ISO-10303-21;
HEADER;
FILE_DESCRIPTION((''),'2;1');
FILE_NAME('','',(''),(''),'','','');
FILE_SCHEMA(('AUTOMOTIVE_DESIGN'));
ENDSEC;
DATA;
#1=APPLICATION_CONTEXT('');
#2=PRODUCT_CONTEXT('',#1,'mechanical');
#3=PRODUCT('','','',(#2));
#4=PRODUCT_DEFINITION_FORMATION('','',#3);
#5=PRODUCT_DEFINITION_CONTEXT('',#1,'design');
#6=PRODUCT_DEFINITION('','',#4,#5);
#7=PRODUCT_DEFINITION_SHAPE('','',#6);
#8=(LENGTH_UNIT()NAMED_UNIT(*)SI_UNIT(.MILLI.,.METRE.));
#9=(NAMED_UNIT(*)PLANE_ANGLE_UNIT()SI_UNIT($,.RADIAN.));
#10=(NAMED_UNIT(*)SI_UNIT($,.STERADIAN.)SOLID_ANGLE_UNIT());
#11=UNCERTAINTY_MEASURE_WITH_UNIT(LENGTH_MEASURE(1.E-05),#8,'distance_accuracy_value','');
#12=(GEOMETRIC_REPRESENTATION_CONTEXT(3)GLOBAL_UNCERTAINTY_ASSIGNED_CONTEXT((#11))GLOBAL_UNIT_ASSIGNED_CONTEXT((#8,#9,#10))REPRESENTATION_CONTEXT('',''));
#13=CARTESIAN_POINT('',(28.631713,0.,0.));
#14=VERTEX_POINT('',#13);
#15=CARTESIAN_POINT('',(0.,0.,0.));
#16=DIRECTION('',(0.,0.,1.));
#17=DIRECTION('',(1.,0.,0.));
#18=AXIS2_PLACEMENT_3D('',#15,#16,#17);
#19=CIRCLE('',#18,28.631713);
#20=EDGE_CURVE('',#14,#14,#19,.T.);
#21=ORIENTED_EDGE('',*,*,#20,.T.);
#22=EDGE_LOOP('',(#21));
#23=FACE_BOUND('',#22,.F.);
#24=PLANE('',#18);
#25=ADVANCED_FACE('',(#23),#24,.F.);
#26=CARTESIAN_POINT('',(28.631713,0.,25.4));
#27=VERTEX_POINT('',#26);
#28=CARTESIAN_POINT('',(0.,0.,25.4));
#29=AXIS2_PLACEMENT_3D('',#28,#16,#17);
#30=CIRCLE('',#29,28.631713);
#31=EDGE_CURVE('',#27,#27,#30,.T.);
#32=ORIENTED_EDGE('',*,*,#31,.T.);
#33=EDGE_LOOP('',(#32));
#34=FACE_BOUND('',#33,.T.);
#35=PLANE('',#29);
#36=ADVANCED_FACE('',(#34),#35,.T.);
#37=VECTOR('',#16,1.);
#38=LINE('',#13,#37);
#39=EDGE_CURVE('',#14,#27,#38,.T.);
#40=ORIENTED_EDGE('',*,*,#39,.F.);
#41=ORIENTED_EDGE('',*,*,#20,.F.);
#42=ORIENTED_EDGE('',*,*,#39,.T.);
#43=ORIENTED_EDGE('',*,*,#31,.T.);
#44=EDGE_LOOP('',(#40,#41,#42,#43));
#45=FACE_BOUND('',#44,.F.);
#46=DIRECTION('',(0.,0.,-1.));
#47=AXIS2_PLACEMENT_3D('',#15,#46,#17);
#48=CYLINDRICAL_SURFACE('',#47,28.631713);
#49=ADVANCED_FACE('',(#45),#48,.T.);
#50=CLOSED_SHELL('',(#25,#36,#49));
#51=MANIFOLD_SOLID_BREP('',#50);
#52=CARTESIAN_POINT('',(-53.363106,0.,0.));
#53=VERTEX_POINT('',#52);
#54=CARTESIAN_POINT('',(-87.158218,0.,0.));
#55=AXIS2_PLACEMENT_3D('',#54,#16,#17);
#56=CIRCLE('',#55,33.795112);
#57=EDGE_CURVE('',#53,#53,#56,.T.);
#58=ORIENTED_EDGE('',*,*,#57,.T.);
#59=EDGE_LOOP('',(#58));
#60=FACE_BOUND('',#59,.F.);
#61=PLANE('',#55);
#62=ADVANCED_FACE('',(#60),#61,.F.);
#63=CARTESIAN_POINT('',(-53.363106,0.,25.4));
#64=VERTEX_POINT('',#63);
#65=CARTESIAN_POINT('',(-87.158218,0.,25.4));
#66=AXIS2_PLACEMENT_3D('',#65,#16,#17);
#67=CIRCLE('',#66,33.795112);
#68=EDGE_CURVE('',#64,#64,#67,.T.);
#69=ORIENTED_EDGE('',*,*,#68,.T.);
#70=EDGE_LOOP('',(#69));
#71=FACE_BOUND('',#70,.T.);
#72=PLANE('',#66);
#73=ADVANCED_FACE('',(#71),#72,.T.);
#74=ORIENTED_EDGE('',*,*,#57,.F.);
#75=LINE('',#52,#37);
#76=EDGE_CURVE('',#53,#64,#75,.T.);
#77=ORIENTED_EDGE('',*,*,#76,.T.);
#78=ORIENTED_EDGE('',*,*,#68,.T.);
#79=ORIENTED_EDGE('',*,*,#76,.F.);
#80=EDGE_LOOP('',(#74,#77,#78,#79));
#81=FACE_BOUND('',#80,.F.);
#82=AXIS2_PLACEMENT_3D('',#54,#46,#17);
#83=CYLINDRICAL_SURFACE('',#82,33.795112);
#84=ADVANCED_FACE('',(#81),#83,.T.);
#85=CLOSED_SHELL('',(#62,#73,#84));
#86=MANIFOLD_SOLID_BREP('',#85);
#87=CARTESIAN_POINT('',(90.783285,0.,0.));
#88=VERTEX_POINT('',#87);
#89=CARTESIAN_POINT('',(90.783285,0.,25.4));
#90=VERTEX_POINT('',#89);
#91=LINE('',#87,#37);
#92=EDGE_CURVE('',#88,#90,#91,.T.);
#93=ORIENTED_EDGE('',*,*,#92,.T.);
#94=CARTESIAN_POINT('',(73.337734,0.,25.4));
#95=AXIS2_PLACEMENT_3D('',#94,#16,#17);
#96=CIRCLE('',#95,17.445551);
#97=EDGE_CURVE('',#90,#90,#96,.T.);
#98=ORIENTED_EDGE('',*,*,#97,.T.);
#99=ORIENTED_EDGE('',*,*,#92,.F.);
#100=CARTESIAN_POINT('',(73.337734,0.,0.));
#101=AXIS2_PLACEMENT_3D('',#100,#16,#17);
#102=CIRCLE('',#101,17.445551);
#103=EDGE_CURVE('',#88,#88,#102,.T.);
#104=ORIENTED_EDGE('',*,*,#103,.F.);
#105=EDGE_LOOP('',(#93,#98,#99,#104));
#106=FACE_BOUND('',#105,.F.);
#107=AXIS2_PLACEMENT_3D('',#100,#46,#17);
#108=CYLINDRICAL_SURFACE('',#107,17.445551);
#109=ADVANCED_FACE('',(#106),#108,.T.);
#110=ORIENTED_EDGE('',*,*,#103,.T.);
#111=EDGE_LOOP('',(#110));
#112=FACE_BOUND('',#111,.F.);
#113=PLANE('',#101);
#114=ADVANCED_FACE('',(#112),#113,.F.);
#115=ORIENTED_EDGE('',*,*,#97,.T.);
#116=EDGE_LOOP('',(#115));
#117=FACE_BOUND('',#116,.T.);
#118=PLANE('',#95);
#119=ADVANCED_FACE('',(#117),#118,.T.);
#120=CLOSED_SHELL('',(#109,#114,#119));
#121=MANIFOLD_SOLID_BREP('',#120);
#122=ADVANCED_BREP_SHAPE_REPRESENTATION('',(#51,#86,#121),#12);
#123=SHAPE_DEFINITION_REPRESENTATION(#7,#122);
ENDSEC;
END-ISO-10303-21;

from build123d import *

# Parameters (mm, degrees)
F0_R     = 33.795112
F0_R_2   = 28.631713
F0_R_3   = 17.445551
F1_DEPTH = 25.4


with BuildPart() as f1:
    # F0 (on Top) → F1 (new body)
    with BuildSketch(Plane.XY):
        with Locations((-87.158218, 0)):
            Circle(F0_R)
        Circle(F0_R_2)
        with Locations((73.337734, 0)):
            Circle(F0_R_3)
    extrude(amount=F1_DEPTH)


solid = f1.part
